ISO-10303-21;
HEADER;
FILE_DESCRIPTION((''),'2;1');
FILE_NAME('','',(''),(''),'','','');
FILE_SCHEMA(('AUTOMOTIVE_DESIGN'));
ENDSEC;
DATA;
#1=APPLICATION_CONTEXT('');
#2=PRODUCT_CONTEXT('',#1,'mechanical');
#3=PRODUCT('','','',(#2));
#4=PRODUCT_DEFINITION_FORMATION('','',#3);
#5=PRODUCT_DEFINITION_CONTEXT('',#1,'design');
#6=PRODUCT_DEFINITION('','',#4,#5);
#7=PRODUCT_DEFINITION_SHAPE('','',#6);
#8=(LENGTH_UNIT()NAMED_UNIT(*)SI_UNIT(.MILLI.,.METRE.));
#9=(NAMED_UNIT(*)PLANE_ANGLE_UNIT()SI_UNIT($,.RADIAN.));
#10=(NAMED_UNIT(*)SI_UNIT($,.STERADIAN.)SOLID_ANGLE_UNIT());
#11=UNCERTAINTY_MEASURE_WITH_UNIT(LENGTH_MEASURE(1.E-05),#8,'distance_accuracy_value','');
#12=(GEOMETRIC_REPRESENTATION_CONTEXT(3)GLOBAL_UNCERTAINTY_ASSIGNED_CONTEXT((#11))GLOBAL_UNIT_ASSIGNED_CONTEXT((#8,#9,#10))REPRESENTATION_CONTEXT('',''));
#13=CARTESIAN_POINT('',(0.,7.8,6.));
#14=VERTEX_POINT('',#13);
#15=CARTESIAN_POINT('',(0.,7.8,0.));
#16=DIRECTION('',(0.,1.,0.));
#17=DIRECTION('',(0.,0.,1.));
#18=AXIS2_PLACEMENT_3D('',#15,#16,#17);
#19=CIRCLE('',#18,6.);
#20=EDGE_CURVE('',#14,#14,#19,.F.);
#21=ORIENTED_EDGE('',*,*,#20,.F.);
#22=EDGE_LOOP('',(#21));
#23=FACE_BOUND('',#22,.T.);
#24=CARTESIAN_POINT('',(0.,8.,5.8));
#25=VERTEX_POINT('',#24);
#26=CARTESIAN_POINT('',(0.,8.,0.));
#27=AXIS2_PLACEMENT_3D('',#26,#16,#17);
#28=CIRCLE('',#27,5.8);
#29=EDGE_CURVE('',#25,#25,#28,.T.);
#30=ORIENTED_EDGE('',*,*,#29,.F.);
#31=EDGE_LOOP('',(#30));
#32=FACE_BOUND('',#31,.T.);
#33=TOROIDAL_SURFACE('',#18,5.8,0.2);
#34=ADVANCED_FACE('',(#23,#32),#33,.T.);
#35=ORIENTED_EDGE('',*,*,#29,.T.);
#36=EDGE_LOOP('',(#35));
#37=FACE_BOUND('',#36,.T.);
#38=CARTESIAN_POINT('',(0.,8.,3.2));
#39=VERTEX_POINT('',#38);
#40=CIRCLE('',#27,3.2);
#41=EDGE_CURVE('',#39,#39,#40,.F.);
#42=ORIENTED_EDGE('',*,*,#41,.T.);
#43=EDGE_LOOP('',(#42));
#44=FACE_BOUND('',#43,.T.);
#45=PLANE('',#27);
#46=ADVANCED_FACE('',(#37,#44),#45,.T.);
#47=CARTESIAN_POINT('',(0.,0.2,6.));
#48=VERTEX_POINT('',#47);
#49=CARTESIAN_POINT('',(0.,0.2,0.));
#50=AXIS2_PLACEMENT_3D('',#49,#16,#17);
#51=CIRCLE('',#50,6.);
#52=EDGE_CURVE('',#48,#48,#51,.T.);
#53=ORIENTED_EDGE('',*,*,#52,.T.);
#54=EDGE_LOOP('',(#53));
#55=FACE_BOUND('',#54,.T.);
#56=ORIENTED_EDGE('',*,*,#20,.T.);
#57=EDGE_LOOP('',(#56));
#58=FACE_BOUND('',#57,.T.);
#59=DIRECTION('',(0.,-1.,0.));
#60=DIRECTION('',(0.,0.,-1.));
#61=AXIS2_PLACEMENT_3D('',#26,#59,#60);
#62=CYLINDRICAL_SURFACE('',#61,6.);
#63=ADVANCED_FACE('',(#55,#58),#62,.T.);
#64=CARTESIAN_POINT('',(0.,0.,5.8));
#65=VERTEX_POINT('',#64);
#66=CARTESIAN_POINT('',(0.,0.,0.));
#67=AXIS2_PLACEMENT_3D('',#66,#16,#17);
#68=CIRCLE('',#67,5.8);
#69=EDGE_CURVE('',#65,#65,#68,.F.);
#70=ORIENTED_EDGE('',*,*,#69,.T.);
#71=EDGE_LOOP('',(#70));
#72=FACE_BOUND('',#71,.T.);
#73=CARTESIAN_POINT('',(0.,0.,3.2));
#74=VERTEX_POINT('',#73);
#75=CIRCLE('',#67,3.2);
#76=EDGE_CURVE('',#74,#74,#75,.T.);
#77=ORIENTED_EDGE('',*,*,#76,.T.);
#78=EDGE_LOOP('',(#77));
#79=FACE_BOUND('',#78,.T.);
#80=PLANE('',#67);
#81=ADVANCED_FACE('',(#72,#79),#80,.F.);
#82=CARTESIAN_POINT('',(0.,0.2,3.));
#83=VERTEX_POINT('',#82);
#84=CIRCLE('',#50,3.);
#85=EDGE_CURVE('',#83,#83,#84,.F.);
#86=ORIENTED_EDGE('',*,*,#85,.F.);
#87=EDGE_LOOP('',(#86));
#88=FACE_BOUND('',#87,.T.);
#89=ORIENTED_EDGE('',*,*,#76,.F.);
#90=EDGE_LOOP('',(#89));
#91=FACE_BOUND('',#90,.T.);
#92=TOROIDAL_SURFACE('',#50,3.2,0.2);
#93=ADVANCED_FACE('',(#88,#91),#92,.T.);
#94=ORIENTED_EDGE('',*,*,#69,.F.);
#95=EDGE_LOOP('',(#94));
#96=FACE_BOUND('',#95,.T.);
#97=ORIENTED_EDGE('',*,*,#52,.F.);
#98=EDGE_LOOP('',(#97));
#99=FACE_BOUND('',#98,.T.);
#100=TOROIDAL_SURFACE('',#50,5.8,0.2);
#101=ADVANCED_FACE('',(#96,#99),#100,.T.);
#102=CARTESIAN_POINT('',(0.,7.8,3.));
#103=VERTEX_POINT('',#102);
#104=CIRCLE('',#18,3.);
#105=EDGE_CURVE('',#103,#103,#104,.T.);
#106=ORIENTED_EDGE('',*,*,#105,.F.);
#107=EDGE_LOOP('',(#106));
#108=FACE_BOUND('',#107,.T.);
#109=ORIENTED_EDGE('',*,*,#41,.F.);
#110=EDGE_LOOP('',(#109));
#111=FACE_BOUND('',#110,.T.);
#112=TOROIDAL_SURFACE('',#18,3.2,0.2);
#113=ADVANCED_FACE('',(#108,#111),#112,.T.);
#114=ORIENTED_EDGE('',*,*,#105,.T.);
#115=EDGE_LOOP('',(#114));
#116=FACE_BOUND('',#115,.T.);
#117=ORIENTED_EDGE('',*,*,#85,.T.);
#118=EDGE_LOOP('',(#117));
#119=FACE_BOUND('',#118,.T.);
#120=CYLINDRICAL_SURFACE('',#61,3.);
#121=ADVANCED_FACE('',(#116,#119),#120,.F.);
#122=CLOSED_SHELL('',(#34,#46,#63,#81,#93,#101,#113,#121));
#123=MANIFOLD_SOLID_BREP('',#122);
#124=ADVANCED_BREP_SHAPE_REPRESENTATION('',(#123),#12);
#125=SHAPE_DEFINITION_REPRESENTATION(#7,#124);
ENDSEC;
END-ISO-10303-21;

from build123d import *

# Parameters (mm, degrees)
SKETCH1_R           = 6
SKETCH1_R_2         = 3
BOSS_EXTRUDE1_DEPTH = 8
FILLET1_R           = 0.2


with BuildPart() as part:
    # Sketch1 → Boss-Extrude1 (new body)
    with BuildSketch(Plane(origin=(0, 0, 0), x_dir=(1, 0, 0), z_dir=(0, 1, 0))):
        Circle(SKETCH1_R)
        Circle(SKETCH1_R_2, mode=Mode.SUBTRACT)
    extrude(amount=BOSS_EXTRUDE1_DEPTH)

    # Fillet1
    fillet1_edges = [part.edges().sort_by_distance(p)[0] for p in [
        (-6, 0, 0),
        (-6, 8, 0),
        (-3, 0, 0),
        (-3, 8, 0),
    ]]
    fillet(fillet1_edges, radius=FILLET1_R)


solid = part.part
